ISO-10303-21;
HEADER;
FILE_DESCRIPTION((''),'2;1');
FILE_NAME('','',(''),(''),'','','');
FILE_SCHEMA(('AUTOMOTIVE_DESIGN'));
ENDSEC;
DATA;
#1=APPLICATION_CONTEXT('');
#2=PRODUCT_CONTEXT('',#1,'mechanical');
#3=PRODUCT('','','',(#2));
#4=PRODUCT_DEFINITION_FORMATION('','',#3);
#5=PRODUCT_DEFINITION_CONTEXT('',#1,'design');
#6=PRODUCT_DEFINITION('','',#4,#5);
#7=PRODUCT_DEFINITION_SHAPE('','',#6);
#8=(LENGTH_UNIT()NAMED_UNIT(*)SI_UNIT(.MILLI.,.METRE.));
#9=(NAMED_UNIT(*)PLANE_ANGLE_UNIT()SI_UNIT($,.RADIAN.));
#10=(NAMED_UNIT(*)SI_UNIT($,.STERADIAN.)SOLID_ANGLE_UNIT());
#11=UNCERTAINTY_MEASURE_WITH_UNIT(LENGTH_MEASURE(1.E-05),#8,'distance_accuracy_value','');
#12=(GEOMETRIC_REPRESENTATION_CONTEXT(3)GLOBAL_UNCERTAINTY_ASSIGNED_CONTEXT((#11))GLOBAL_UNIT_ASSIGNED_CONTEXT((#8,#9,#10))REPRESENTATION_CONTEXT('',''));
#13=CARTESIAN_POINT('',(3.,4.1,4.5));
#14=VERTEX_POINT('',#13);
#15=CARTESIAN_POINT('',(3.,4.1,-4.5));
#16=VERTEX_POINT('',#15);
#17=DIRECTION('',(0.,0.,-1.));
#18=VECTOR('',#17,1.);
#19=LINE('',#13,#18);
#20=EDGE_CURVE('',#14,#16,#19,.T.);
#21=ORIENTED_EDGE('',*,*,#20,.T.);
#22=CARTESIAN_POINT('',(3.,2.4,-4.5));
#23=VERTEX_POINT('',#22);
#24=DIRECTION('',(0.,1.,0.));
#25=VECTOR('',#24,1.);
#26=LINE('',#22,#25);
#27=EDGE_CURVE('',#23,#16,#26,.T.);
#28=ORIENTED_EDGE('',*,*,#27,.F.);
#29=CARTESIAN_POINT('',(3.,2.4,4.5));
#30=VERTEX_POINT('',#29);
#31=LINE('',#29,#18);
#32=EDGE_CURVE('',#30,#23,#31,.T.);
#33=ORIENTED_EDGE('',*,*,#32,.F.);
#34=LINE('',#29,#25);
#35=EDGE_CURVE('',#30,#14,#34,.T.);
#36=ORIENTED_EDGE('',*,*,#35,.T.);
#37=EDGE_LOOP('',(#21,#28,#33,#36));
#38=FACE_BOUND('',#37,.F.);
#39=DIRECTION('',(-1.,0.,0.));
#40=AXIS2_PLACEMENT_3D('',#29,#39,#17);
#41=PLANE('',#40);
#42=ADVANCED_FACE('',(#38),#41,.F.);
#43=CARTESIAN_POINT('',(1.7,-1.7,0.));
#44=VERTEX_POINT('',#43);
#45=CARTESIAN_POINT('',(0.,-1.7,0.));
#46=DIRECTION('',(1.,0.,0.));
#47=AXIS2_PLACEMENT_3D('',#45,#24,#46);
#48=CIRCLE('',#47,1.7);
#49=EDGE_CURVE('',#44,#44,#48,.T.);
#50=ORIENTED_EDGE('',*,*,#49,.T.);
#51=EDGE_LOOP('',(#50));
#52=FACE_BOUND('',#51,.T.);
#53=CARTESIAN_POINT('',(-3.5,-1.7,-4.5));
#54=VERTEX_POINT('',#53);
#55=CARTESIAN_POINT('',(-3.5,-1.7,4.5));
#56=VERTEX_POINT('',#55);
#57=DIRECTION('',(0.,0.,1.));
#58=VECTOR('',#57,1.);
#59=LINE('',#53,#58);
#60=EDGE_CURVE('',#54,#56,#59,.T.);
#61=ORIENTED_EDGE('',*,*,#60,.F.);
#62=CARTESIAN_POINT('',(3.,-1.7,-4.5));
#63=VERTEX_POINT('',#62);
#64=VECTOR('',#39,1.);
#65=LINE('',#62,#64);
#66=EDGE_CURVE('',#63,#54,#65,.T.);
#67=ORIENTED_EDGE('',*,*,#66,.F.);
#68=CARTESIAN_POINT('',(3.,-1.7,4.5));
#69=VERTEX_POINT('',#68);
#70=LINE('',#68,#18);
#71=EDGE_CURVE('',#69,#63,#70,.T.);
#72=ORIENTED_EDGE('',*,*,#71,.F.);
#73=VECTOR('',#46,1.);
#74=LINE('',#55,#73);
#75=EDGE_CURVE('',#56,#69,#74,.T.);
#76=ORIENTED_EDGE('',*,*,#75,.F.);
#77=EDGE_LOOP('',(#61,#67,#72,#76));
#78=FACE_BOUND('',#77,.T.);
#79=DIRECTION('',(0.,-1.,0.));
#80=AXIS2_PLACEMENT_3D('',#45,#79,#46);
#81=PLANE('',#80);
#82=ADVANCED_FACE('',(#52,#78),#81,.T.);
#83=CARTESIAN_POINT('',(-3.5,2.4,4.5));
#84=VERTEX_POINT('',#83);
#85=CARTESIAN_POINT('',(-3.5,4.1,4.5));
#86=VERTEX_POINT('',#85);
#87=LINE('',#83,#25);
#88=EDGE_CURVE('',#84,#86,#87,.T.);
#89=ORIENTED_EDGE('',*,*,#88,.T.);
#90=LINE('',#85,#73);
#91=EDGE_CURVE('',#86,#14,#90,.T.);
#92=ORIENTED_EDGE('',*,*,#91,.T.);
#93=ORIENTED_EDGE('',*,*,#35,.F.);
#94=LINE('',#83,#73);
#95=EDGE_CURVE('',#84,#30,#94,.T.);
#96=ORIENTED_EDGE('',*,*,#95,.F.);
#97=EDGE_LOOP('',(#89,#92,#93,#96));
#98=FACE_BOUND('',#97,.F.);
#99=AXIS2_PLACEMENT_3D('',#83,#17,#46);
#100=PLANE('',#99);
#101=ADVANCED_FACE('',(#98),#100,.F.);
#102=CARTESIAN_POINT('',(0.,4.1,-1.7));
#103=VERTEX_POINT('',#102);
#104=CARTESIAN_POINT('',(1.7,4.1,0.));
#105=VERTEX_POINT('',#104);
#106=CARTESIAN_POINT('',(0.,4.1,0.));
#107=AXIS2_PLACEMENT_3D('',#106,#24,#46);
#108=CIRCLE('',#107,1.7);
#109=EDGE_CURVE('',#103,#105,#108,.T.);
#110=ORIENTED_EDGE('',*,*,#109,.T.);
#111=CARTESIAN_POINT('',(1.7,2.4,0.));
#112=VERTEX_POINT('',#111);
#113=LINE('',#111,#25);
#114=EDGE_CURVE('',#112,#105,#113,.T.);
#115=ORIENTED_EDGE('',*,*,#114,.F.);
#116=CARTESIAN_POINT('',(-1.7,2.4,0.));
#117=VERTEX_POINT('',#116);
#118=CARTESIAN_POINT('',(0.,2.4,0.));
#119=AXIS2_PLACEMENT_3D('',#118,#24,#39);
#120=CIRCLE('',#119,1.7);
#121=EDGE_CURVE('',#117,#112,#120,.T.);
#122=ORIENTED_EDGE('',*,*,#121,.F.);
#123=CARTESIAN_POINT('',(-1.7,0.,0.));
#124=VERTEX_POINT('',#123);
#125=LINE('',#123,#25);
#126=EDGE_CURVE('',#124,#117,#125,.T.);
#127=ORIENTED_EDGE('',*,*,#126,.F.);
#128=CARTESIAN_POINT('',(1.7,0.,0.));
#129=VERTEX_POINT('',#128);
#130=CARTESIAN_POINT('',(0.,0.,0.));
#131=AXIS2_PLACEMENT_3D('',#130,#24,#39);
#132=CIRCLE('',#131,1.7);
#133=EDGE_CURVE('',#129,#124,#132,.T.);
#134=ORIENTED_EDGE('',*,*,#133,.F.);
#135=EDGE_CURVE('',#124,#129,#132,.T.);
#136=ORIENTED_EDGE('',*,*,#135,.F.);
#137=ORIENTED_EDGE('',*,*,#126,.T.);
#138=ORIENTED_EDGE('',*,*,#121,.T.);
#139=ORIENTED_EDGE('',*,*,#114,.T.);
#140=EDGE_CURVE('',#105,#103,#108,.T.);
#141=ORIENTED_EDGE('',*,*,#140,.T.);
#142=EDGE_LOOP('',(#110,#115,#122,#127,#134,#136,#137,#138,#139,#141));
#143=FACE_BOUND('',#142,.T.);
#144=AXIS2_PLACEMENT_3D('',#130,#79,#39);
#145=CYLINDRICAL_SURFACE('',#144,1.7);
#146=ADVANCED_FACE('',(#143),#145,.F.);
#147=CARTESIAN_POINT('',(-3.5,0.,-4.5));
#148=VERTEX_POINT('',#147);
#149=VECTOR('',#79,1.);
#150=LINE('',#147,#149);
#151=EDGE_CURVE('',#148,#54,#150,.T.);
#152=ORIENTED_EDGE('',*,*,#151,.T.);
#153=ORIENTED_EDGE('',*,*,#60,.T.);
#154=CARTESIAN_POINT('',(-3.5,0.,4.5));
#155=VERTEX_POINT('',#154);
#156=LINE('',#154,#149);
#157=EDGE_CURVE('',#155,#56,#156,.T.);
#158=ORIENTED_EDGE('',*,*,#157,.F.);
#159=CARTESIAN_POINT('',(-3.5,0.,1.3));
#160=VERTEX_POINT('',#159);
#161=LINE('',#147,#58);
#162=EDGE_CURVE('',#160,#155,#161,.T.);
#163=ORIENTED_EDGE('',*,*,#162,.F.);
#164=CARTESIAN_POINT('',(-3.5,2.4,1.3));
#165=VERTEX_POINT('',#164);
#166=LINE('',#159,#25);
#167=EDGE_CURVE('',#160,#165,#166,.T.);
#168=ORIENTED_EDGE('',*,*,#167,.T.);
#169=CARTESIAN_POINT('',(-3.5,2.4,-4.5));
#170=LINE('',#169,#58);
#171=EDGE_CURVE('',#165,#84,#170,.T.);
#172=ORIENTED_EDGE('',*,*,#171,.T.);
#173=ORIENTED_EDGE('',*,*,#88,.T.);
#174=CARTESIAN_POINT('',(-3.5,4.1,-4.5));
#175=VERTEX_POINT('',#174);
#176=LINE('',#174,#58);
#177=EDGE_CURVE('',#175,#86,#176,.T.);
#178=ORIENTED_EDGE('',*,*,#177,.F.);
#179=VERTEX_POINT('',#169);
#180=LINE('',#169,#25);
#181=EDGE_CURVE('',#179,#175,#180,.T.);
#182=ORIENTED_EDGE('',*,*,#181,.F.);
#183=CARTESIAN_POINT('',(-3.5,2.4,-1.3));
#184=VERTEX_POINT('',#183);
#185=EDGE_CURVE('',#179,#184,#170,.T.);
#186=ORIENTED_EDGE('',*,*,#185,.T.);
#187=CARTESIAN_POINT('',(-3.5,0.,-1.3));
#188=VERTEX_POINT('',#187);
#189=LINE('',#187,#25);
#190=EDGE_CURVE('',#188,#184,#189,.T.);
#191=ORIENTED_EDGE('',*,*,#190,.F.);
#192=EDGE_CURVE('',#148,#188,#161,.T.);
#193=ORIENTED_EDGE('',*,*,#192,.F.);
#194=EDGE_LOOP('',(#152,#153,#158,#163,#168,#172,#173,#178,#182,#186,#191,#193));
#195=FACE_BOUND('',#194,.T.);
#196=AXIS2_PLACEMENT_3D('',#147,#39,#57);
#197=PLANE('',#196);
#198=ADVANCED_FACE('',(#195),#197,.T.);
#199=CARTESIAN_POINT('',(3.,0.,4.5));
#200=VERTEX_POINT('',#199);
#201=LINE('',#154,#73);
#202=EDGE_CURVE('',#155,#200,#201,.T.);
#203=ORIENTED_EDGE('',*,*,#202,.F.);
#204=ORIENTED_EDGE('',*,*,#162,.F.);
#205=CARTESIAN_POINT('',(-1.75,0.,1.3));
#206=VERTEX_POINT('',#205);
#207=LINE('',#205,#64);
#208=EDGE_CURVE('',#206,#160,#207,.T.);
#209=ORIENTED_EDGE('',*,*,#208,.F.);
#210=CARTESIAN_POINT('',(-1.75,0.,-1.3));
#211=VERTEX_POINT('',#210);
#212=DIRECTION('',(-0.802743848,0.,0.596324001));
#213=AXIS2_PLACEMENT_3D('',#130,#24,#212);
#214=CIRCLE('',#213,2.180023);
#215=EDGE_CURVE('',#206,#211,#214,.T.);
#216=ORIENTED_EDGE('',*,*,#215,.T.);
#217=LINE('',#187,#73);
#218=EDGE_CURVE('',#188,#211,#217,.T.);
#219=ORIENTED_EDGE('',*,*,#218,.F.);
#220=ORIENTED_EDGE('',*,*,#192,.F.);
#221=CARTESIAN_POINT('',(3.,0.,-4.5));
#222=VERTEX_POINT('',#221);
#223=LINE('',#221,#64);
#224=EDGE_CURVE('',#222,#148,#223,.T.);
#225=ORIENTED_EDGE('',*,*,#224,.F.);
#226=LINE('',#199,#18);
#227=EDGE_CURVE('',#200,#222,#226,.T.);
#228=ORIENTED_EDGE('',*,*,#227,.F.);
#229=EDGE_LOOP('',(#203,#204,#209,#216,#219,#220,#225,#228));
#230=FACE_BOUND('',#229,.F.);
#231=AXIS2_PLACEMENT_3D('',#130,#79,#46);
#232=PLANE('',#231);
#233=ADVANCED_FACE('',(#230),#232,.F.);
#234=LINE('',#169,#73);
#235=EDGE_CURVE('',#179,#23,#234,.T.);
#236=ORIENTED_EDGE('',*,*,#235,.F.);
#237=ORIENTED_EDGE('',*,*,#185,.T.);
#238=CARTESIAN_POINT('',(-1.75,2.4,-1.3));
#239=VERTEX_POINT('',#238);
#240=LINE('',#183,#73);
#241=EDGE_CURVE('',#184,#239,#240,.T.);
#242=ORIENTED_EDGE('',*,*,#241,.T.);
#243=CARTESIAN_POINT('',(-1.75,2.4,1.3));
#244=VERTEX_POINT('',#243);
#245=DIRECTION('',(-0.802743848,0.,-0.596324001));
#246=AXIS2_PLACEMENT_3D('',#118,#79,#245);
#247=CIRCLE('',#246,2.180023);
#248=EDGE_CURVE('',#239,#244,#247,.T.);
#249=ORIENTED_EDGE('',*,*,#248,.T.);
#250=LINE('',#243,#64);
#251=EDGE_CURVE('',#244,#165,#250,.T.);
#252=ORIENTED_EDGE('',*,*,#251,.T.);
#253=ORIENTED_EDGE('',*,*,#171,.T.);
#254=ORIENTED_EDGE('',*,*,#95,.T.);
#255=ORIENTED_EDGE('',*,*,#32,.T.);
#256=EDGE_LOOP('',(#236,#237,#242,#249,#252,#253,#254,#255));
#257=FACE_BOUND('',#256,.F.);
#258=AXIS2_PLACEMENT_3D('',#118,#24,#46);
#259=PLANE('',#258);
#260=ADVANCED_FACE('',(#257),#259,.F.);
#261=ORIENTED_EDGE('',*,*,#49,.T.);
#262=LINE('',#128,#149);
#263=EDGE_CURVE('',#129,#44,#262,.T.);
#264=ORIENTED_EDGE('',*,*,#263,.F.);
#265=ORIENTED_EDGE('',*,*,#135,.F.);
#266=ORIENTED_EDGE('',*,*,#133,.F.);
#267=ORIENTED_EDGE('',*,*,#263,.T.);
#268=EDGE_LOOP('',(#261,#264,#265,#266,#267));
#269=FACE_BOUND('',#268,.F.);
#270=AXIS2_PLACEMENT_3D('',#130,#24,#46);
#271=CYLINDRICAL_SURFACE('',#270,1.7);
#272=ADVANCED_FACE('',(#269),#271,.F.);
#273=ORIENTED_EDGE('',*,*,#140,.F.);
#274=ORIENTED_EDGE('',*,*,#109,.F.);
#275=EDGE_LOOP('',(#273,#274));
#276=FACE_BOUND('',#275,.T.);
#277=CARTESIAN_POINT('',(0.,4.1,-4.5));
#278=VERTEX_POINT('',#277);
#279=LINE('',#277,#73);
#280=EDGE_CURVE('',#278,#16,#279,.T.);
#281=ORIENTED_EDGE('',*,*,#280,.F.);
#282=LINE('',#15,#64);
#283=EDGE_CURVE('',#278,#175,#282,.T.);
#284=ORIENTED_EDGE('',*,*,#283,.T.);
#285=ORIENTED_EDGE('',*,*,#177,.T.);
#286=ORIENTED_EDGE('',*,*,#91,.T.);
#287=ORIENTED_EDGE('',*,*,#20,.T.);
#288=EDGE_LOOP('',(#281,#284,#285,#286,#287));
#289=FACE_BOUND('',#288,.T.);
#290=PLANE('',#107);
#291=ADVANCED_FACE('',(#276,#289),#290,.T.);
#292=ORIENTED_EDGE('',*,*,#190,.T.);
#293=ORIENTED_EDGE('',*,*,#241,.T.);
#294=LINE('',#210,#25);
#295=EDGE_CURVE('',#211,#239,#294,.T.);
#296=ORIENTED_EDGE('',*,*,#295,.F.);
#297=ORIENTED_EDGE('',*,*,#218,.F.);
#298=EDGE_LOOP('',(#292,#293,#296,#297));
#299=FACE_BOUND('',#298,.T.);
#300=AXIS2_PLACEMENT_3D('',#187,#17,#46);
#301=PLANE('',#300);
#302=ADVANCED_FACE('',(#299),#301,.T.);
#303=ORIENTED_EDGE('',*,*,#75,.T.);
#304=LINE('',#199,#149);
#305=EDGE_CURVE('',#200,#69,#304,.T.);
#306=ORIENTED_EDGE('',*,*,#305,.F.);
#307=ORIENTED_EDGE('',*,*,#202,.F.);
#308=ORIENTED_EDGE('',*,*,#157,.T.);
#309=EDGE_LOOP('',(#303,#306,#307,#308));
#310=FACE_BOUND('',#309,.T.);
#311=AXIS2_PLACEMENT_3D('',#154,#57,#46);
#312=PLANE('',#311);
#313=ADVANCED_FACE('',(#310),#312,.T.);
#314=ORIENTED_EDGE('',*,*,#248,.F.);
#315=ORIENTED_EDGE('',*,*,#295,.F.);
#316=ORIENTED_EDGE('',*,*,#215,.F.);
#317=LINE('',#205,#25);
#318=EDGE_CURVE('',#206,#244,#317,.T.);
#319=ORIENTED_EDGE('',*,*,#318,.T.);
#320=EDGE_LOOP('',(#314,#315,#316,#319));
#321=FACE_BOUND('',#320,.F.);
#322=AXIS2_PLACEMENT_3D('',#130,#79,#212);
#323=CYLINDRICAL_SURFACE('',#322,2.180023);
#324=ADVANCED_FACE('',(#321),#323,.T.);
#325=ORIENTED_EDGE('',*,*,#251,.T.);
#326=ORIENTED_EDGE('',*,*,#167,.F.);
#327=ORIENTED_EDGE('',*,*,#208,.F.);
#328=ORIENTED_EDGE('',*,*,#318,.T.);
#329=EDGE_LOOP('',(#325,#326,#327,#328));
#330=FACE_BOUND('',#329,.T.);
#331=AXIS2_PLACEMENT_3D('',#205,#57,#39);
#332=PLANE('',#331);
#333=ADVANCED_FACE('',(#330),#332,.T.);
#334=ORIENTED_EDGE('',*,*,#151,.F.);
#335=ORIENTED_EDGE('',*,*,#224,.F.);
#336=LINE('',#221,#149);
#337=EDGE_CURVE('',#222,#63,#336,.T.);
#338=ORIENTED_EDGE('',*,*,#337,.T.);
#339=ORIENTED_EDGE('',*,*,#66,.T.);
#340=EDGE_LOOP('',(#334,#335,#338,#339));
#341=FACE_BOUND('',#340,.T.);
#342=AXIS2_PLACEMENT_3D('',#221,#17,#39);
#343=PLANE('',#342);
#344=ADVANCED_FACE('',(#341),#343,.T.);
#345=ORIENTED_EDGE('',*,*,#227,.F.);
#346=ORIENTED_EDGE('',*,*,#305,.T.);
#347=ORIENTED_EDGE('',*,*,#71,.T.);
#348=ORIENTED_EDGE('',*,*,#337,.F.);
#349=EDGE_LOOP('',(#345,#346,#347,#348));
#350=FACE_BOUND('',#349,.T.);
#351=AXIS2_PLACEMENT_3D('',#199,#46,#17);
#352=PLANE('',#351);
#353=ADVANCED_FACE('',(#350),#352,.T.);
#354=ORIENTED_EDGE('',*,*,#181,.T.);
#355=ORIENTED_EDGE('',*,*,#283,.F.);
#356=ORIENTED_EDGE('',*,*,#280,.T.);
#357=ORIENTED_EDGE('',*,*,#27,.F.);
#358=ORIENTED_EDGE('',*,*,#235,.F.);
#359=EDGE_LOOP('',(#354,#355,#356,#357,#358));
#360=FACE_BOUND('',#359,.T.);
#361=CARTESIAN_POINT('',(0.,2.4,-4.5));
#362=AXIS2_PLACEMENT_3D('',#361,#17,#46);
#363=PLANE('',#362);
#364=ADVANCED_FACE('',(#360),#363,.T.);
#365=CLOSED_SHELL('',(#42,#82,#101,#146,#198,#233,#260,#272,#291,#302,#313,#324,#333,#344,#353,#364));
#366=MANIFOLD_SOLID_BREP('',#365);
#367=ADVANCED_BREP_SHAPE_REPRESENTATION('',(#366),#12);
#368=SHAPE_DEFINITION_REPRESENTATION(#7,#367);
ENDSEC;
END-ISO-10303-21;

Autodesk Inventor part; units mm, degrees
ref_plane "YZ Plane" through (0, 0, 0) normal (1, 0, 0) x (0, 1, 0)
ref_plane "XZ Plane" through (0, 0, 0) normal (0, 1, 0) x (-1, 0, 0)
ref_plane "XY Plane" through (0, 0, 0) normal (0, 0, 1) x (1, 0, 0)
sketch "Sketch1" plane through (0, 0, 0) normal (0, 1, 0) x (-1, 0, 0)
  arc A0 (1.75, 1.3) -> (1.75, -1.3) centre (0, 0) ccw
  circle A1 centre (0, 0) radius 1.7
  line L0 (0, 0) -> (0, 1.3)
  line L1 (3.5, 1.3) -> (3.5, -1.3)
  line L2 (0, 1.3) -> (1.0954, 1.3)
  line L3 (1.75, 1.3) -> (3.5, 1.3)
  line L4 (3.5, -1.3) -> (1.75, -1.3)
  dimension "d1" = 3.4
  dimension "d0" = 4.36
  dimension "d2" = 1.3
  dimension "d3" = 3.5
  dimension "d4" = 2.6
extrude "Extrusion1" add sketch "Sketch1" along normal blind 2.4
sketch "Sketch2" plane through (0, 2.4, 0) normal (0, 1, 0) x (1, 0, 0)
  circle A0 centre (0, 0) radius 1.7
  line L0 (0, 0) -> (0, 4.5)
  line L1 (0, 4.5) -> (3, 4.5)
  line L2 (3, 4.5) -> (-3.5, 4.5)
  line L3 (-3.5, 4.5) -> (-3.5, -4.5)
  line L4 (-3.5, -4.5) -> (3, -4.5)
  line L5 (3, -4.5) -> (3, 4.5)
  dimension "d7" = 4.5
  dimension "d8" = 3
  dimension "d9" = 9
extrude "Extrusion2" add sketch "Sketch2" along normal blind 1.7
sketch "Sketch3" plane through (0, 0, 0) normal (0, -1, 0) x (1, 0, 0)
  line L0 (-3.5, 4.5) -> (3, 4.5) projected
  line L1 (3, 4.5) -> (3, -4.5) projected
  line L2 (-3.5, 4.5) -> (3, 4.5)
  line L3 (3, 4.5) -> (3, -4.5)
  line L4 (3, -4.5) -> (-3.5, -4.5)
  line L5 (-3.5, -4.5) -> (-3.5, 4.5)
  point P0 (0, 0)
extrude "Extrusion3" add sketch "Sketch3" along normal blind 1.7
sketch "Sketch4" plane through (0, 0, 0) normal (0, 1, 0) x (1, 0, 0)
  circle A0 centre (0, 0) radius 1.7
extrude "Extrusion4" cut sketch "Sketch4" against normal blind 1.7
properties part number "MMAE 232 CAD Assignment 2 Rubber Grommet-Nicholas Skiba"
